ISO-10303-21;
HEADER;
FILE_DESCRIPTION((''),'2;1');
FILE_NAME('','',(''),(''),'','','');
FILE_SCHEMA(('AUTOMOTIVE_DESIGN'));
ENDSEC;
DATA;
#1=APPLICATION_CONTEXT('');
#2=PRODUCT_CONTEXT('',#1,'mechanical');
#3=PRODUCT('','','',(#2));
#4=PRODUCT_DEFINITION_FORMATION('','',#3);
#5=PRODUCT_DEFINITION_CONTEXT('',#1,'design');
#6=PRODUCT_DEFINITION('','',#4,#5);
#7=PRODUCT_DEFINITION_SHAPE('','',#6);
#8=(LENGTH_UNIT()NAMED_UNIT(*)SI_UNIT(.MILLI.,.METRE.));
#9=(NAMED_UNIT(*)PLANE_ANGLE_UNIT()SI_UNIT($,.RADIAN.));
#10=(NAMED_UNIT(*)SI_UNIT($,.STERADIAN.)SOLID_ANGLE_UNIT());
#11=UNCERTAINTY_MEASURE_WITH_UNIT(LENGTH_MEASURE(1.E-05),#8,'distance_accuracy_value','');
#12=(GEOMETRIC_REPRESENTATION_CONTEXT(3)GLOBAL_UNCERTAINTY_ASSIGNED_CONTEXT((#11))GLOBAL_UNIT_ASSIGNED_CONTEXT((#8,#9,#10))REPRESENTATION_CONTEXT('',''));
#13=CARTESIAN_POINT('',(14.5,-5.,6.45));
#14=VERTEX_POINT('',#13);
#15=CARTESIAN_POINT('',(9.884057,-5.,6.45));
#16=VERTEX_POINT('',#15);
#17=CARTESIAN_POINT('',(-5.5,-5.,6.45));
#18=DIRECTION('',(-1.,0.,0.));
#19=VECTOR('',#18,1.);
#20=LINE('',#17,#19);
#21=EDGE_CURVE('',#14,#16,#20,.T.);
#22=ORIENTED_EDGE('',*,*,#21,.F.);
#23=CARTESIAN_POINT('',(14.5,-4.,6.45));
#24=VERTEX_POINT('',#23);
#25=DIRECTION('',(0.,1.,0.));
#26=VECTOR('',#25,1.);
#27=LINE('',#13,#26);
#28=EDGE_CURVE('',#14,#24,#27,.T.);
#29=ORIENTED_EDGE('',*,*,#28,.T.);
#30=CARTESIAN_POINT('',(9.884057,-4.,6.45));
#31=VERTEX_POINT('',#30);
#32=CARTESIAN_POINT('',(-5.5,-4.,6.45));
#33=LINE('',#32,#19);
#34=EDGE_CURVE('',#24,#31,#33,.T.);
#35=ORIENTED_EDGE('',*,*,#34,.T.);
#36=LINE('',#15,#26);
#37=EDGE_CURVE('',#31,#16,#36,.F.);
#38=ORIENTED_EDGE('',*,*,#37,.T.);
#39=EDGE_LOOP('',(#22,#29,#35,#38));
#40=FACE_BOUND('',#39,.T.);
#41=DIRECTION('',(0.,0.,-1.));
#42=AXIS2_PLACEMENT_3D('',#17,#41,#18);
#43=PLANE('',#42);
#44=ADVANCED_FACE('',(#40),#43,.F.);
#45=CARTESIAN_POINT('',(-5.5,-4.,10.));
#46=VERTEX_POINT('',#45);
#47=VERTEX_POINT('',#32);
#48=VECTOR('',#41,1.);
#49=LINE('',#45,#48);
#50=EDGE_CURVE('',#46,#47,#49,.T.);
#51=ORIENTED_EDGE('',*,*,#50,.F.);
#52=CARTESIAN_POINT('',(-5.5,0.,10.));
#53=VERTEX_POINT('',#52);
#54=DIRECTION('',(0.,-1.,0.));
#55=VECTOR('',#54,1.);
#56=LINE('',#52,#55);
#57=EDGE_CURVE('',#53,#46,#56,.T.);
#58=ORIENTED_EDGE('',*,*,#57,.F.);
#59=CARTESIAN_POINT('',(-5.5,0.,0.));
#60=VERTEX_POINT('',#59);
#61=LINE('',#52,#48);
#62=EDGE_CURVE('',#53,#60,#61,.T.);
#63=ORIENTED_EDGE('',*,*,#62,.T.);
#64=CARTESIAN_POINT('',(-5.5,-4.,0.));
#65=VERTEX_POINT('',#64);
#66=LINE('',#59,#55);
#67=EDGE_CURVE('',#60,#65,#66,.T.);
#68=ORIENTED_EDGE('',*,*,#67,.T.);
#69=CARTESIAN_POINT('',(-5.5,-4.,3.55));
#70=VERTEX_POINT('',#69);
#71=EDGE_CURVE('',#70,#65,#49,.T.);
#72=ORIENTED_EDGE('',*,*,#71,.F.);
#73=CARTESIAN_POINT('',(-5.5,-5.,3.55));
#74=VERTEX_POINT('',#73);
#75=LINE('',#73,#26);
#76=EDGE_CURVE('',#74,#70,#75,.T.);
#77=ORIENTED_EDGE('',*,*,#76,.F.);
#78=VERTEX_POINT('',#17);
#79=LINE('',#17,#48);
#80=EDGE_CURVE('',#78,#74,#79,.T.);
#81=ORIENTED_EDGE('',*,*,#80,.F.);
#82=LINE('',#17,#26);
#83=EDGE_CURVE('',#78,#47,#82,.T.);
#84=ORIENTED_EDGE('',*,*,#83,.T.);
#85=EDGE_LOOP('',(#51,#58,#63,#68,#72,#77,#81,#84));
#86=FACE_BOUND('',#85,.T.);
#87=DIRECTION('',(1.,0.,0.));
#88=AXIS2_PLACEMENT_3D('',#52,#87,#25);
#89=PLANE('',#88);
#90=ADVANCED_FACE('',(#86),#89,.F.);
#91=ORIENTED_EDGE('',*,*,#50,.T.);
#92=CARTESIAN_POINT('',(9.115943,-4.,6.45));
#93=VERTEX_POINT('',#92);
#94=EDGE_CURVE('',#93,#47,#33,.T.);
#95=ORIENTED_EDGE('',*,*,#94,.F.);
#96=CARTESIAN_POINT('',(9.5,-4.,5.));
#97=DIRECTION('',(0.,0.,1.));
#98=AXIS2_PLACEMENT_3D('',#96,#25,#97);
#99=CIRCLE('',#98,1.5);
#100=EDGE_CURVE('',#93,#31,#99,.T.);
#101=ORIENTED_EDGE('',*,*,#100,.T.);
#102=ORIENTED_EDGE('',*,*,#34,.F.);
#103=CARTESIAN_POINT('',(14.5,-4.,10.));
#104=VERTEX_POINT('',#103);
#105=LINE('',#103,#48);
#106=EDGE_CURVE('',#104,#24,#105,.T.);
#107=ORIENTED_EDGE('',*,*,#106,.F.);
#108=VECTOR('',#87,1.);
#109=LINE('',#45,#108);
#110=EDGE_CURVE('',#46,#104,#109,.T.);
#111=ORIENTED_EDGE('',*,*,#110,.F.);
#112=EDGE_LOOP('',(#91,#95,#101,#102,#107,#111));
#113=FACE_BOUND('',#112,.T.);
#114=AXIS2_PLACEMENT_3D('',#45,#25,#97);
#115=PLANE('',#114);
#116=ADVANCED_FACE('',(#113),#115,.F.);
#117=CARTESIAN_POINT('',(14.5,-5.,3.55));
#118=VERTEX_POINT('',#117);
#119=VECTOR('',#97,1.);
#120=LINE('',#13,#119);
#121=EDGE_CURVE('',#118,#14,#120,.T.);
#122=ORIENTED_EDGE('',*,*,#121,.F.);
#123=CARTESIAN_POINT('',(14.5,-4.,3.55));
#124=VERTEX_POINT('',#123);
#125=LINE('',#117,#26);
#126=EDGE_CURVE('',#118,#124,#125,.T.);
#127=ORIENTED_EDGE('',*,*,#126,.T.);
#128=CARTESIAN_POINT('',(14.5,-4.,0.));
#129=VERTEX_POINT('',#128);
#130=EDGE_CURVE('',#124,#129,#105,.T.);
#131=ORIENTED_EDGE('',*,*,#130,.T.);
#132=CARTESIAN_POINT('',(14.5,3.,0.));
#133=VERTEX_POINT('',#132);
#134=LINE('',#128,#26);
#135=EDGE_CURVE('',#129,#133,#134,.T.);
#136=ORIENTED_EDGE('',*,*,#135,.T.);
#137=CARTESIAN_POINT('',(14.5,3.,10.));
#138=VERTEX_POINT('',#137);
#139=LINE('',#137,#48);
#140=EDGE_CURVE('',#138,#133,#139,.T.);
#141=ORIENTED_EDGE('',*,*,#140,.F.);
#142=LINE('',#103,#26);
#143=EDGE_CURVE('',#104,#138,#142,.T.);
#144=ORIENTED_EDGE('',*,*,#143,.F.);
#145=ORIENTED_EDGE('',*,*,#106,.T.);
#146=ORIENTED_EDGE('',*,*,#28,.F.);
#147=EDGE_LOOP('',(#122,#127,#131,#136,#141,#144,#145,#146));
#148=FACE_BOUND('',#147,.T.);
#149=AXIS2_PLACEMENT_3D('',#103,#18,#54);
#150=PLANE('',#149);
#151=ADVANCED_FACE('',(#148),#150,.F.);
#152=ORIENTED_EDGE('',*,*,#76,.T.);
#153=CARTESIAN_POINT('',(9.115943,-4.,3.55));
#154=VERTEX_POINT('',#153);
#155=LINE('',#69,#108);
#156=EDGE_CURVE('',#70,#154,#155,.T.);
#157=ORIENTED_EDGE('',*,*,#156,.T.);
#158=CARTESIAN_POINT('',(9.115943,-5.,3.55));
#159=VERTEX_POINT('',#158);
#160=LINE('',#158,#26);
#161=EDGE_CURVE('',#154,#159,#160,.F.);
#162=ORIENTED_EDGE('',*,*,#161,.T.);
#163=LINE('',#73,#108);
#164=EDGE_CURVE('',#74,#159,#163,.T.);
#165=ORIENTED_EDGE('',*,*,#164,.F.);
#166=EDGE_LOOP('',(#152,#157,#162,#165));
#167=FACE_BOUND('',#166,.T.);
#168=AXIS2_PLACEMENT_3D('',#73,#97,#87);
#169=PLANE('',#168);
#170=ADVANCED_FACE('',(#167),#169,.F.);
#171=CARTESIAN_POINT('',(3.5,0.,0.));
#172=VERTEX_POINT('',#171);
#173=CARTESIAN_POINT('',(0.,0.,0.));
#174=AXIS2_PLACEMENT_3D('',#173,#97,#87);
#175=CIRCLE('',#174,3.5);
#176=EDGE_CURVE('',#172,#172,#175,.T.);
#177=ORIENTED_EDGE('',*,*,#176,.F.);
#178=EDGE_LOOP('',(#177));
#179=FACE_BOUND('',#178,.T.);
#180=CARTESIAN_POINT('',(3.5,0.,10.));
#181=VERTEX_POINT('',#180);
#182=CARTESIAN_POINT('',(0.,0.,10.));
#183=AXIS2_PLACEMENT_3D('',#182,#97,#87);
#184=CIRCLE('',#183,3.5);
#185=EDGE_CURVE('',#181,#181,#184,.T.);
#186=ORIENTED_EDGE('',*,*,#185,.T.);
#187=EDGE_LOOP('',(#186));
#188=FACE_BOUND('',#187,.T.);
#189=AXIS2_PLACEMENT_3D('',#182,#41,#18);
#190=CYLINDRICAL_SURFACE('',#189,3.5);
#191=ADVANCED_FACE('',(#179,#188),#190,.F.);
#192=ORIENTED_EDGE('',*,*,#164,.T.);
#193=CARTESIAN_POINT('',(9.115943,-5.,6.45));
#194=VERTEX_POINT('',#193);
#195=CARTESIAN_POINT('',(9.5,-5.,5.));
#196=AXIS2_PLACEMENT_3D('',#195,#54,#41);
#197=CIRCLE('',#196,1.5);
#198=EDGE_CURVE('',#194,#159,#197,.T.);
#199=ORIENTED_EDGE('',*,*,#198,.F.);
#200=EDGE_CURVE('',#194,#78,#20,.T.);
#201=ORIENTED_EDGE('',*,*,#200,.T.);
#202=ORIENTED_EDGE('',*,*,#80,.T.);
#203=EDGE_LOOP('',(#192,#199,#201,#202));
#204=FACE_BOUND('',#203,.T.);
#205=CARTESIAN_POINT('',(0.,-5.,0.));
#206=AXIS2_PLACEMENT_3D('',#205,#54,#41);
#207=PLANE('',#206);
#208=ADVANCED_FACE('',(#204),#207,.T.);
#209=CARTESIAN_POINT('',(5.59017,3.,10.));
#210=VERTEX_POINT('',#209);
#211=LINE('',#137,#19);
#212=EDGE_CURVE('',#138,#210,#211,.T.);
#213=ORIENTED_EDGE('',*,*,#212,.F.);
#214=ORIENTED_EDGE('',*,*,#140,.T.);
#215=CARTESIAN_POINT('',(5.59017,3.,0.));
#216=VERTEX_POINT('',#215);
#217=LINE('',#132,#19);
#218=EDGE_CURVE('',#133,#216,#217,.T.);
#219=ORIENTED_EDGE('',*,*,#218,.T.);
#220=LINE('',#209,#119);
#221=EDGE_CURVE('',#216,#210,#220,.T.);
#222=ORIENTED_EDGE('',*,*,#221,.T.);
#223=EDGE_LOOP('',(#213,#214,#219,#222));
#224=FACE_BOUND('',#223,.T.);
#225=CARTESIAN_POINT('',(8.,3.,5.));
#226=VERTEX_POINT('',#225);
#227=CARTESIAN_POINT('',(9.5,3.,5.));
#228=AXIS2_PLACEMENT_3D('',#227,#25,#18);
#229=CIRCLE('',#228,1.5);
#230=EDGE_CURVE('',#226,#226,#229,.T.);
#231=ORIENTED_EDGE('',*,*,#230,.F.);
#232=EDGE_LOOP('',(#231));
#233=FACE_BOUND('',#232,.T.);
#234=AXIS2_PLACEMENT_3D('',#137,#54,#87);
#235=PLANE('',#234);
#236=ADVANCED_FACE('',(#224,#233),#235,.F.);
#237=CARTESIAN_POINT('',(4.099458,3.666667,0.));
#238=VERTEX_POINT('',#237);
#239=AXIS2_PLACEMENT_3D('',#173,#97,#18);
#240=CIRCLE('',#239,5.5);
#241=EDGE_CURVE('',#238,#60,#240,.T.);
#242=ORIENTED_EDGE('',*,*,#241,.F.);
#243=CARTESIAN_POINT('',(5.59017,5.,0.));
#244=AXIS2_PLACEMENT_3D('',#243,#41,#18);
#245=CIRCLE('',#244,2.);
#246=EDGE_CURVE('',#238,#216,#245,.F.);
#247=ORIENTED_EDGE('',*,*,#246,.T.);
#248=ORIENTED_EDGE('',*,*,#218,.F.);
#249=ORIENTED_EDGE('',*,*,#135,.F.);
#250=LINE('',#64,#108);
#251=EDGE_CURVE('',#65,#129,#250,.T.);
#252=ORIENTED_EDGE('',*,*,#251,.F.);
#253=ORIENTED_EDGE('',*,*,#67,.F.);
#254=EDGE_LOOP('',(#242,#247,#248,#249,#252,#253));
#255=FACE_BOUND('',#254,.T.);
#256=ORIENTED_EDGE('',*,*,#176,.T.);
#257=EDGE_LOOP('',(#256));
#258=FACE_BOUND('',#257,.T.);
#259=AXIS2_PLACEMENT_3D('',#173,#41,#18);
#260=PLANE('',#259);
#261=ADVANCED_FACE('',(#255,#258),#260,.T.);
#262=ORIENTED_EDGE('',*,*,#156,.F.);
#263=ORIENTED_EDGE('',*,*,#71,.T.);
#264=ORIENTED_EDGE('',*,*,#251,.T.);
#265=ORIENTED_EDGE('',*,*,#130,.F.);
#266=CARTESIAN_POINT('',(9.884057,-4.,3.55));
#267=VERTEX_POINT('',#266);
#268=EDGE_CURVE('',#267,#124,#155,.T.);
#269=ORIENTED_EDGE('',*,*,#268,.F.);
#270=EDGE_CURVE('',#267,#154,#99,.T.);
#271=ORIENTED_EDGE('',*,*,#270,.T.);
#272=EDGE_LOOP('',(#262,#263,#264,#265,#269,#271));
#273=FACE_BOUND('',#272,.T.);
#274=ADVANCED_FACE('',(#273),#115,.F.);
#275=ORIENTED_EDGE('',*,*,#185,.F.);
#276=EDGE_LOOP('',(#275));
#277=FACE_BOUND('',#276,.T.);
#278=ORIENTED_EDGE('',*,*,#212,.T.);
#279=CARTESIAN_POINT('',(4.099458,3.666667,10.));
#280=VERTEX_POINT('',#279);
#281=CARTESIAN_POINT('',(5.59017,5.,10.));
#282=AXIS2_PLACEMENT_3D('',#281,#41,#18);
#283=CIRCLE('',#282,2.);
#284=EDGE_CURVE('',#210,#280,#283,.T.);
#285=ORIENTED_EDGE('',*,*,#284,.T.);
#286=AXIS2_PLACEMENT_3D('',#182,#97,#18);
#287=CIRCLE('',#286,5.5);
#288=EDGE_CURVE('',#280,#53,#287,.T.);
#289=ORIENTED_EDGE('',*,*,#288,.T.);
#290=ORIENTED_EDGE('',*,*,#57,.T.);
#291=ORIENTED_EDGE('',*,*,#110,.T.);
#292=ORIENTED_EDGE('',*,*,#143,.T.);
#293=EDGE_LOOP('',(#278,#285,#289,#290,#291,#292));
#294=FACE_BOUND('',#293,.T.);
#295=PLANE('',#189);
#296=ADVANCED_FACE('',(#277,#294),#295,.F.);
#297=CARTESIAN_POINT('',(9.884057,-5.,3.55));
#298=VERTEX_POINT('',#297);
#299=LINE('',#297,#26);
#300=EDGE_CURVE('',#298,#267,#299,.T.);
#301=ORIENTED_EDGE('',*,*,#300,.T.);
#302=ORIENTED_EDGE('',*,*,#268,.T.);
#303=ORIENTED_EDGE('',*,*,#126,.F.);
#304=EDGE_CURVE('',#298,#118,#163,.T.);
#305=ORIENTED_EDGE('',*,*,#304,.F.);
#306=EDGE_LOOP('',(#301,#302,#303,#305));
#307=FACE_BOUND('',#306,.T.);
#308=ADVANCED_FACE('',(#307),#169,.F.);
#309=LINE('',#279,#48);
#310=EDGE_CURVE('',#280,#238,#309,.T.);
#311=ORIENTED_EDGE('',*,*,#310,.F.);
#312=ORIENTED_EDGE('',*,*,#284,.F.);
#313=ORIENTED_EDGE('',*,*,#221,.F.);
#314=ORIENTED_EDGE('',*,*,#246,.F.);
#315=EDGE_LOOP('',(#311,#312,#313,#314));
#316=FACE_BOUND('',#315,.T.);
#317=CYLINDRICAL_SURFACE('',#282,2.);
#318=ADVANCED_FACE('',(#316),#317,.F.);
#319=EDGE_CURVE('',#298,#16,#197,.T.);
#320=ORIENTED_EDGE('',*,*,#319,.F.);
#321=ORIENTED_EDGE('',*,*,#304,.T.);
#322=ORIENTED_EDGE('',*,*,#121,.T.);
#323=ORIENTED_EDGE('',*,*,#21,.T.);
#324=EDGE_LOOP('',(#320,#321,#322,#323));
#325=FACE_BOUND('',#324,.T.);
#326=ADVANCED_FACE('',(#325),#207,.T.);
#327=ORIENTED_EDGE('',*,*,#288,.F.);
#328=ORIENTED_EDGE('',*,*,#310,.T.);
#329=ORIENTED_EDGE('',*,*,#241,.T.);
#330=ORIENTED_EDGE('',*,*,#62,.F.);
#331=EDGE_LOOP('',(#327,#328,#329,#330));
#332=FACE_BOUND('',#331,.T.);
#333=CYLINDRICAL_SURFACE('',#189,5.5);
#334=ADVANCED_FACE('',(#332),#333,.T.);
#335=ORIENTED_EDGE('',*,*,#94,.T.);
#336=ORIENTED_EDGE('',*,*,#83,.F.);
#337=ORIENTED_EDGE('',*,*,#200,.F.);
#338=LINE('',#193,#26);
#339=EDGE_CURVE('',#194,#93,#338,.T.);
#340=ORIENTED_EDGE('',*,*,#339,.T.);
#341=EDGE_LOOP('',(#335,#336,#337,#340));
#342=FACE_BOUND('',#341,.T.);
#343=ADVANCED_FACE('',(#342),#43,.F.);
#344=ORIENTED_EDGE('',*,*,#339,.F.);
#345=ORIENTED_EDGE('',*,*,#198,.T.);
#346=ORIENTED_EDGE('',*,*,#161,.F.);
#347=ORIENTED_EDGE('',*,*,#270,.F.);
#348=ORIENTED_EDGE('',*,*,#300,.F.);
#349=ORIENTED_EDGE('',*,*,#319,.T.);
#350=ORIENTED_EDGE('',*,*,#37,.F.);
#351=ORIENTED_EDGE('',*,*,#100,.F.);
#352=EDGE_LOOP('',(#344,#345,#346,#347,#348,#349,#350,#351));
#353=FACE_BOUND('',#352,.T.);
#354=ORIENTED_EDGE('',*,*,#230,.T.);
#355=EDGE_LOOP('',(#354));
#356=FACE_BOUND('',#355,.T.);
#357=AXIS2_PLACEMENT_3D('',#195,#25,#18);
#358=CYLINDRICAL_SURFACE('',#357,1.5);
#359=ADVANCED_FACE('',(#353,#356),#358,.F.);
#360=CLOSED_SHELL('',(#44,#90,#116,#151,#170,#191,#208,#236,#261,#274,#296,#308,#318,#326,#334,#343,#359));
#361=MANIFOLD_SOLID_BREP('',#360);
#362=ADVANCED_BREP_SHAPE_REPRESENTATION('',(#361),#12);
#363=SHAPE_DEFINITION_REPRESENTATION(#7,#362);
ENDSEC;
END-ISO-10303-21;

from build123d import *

# Parameters (mm, degrees)
SKETCH1_R                       = 3.5
MAIN_DEPTH                      = 10
SKETCH3_W                       = 20
SKETCH3_H                       = 2.9
MAKERBEAMRECTANGULARGUIDE_DEPTH = 1
SKETCH4_R                       = 1.5
MAKERBEAMFIXHOLE_DEPTH          = 9
FILLET1_R                       = 2


with BuildPart() as part:
    # Sketch1 → Main (new body)
    with BuildSketch(Plane.XY):
        with BuildLine():
            Line((-5.5, 0), (-5.5, -4))
            Line((-5.5, -4), (14.5, -4))
            Line((14.5, -4), (14.5, 3))
            Line((14.5, 3), (4.609772229, 3))
            ThreePointArc((4.609772229, 3), (-1.564648961, 5.272748205), (-5.5, 0))
        make_face()
        Circle(SKETCH1_R, mode=Mode.SUBTRACT)
    extrude(amount=MAIN_DEPTH)

    # Sketch3 → MakerBeamRectangularGuide (add)
    with BuildSketch(Plane(origin=(0, -4, 0), x_dir=(-1, 0, 0), z_dir=(0, -1, 0))):
        with Locations((-4.5, -5)):
            Rectangle(SKETCH3_W, SKETCH3_H)
    extrude(amount=MAKERBEAMRECTANGULARGUIDE_DEPTH)

    # Sketch4 → MakerBeamFixHole (cut, through all)
    with BuildSketch(Plane(origin=(0, 3, 0), x_dir=(1, 0, 0), z_dir=(0, 1, 0))):
        with Locations((9.5, -5)):
            Circle(SKETCH4_R)
    extrude(amount=-MAKERBEAMFIXHOLE_DEPTH, mode=Mode.SUBTRACT)

    # Fillet1
    fillet1_edges = [part.edges().sort_by_distance(p)[0] for p in [
        (4.609772229, 3, 5),
    ]]
    fillet(fillet1_edges, radius=FILLET1_R)


solid = part.part
